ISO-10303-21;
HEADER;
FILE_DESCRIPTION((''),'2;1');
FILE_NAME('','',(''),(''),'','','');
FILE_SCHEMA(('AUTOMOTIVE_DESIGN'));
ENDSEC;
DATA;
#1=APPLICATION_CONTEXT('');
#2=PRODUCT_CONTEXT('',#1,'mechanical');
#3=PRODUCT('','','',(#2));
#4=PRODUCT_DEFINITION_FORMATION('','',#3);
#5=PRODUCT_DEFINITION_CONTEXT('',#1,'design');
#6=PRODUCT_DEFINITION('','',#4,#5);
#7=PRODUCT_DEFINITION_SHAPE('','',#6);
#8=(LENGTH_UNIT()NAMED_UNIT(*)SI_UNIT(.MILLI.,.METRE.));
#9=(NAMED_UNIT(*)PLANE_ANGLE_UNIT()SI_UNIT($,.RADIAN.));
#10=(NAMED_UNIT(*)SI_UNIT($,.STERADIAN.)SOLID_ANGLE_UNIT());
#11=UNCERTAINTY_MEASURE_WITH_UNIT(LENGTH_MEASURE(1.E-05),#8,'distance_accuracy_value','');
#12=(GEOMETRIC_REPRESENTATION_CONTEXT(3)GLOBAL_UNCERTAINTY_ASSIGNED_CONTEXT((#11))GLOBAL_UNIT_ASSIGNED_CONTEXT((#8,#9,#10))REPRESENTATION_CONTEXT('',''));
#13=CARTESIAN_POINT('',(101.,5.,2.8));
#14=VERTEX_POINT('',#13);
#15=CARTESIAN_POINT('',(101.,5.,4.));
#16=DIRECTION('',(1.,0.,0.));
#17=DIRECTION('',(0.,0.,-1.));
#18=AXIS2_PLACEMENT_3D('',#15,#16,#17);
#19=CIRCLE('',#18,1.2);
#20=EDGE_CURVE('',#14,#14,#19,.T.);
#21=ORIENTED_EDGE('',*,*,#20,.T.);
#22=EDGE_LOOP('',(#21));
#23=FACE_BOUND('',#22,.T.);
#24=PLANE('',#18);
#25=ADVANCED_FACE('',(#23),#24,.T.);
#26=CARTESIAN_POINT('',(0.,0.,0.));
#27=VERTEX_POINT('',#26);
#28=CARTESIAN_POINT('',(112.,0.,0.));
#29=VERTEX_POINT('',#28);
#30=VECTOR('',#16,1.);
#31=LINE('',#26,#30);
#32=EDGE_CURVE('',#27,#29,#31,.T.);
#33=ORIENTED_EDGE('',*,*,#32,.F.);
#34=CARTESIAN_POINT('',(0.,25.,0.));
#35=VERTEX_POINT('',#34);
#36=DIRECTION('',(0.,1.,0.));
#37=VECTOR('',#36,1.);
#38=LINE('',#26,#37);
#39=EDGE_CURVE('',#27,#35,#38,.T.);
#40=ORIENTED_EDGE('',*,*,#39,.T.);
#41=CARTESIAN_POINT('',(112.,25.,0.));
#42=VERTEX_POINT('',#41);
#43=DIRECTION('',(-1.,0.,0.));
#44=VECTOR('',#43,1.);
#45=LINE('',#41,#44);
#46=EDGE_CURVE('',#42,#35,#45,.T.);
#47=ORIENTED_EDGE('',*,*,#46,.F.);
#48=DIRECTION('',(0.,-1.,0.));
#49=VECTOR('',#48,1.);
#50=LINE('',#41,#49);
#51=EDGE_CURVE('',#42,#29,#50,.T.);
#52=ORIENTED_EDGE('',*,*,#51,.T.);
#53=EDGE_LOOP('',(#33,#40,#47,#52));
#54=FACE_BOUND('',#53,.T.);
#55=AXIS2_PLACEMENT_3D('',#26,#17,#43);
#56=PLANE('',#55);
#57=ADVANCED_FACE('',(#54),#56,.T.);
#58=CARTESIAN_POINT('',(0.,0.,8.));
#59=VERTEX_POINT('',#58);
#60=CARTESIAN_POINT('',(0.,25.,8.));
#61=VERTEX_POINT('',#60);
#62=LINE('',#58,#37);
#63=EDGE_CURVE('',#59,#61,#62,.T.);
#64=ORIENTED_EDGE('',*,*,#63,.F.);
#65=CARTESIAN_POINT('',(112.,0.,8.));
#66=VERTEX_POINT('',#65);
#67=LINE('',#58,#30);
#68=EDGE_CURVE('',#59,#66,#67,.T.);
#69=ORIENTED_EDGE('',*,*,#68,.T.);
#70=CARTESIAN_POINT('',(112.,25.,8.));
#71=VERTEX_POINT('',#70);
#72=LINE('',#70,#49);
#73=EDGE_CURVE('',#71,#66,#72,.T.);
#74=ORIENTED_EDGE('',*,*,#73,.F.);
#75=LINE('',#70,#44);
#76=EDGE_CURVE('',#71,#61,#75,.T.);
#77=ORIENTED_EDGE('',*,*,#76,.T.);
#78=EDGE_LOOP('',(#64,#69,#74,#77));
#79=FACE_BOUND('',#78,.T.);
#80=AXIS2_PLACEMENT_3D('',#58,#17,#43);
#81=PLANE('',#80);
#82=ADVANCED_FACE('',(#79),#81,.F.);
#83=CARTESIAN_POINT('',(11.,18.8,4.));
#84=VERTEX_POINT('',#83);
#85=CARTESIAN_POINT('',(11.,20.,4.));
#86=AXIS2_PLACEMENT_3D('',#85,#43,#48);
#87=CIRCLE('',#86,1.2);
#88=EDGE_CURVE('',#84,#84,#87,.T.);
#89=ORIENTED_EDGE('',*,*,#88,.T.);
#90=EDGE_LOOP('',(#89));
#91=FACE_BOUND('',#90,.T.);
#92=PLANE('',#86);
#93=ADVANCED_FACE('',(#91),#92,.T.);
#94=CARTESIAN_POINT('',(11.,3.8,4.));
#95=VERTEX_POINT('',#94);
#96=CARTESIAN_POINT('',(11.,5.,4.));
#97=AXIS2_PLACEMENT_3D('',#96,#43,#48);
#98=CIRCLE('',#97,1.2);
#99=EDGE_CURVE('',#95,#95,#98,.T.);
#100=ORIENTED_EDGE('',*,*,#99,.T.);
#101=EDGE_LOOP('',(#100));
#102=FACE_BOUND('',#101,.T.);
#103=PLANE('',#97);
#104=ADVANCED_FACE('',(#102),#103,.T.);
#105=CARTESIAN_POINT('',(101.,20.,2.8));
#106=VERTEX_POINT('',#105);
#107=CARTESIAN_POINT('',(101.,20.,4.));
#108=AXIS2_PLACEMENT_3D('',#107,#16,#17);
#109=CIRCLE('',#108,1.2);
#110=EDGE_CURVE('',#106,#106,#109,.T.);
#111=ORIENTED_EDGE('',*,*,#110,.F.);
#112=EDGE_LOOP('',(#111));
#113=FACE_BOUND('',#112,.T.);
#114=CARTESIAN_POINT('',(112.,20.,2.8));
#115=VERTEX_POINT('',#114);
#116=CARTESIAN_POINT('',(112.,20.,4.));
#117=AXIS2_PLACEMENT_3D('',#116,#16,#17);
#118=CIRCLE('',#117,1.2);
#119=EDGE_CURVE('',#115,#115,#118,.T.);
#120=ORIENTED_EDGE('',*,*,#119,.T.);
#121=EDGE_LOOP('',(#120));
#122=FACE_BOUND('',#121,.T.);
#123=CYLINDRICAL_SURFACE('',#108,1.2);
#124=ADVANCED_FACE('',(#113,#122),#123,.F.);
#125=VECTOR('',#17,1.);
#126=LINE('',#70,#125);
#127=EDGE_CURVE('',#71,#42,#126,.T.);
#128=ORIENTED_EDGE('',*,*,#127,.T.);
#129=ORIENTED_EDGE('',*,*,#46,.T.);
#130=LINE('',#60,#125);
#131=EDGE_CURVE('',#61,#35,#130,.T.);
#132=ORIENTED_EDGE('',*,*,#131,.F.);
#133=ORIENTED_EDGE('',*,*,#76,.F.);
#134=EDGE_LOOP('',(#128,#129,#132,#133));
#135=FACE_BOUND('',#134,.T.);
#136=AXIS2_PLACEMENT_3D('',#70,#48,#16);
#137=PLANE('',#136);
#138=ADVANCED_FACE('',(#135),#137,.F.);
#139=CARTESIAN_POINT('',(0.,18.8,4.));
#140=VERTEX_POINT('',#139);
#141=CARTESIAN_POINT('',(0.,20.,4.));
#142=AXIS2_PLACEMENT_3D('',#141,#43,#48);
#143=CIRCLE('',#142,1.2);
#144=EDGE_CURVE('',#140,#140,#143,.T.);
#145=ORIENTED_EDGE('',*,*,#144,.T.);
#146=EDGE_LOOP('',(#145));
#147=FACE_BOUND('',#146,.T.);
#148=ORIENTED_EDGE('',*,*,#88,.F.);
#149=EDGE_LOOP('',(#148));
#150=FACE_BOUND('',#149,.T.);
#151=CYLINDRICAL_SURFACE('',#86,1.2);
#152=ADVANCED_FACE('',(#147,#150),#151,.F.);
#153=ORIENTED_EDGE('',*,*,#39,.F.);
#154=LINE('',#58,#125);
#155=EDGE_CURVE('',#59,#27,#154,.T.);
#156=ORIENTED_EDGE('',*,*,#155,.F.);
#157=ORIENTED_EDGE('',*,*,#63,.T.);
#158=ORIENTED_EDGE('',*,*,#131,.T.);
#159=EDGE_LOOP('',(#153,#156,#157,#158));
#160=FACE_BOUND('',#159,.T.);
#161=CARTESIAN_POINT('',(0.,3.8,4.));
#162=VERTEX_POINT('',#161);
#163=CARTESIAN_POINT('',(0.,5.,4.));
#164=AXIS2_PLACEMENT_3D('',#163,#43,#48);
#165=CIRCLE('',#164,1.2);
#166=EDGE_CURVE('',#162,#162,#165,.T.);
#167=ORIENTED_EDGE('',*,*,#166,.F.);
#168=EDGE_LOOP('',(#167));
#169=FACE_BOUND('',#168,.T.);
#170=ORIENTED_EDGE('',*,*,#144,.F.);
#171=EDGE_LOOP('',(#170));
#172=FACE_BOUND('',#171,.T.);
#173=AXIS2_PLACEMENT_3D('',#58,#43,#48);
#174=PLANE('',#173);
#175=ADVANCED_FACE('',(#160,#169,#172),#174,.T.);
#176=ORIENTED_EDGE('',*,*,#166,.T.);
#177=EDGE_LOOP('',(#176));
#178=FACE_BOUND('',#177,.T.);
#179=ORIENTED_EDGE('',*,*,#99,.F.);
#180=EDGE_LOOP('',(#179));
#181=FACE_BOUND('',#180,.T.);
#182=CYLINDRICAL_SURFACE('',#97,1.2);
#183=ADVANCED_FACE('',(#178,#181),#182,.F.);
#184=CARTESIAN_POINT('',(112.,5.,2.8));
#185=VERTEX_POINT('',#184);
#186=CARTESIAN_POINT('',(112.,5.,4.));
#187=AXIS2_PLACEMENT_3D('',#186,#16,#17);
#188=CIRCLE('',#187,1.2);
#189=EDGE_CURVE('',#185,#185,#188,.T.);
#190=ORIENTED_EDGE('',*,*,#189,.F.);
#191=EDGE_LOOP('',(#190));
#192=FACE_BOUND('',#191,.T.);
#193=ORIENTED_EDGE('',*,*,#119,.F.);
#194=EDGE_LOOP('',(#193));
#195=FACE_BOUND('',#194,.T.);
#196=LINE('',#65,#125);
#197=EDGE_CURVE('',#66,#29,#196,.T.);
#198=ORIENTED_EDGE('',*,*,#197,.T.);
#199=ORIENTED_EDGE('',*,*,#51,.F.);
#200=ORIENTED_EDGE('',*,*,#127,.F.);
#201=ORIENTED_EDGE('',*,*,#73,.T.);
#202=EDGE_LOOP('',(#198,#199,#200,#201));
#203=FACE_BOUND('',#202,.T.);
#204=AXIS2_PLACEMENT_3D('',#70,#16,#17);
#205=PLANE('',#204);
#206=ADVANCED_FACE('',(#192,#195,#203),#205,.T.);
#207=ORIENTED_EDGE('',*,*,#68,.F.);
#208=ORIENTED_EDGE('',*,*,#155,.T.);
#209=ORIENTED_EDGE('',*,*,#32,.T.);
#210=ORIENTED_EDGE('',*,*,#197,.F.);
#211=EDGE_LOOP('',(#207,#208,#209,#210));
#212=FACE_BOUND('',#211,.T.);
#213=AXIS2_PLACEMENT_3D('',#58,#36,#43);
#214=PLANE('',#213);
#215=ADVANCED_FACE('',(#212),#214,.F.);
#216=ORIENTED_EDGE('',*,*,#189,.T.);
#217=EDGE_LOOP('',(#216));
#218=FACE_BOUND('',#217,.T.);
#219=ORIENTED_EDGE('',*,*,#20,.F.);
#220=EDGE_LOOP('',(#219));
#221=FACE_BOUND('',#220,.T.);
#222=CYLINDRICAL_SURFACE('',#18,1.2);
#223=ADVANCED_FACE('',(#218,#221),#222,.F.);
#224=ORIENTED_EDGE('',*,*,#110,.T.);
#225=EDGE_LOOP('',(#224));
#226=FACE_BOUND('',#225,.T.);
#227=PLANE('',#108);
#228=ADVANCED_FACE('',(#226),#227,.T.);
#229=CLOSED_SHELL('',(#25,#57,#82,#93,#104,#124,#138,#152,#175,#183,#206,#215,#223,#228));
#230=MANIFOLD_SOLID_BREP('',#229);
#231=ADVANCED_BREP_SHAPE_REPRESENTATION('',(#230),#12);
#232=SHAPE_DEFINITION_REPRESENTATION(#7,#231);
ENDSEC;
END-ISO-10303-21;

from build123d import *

# Parameters (mm, degrees)
ESQUISSE1_W             = 112
ESQUISSE1_H             = 25
BASE_EXTRUSION_DEPTH    = 8
ESQUISSE2_R             = 1.2
ENL_V_MAT_EXTRU_1_DEPTH = 11
ENL_V_START             = -11
ESQUISSE3_R             = 1.2
ENL_V_MAT_EXTRU_2_DEPTH = 11


with BuildPart() as part:
    # Esquisse1 → Base-Extrusion (new body)
    with BuildSketch(Plane.XY):
        with Locations((56, 12.5)):
            Rectangle(ESQUISSE1_W, ESQUISSE1_H)
    extrude(amount=BASE_EXTRUSION_DEPTH)

    # Esquisse2 → Enlèv. mat.-Extru.1 (cut)
    with BuildSketch(Plane(origin=(112, 0, 0), x_dir=(0, 0, -1), z_dir=(1, 0, 0))):
        with Locations((-4, 20)):
            Circle(ESQUISSE2_R)
        with Locations((-4, 5)):
            Circle(ESQUISSE2_R)
    extrude(amount=-ENL_V_MAT_EXTRU_1_DEPTH, mode=Mode.SUBTRACT)

    # Esquisse3 → Enlèv. mat.-Extru.2 (cut)
    with BuildSketch(Plane.ZY.offset(ENL_V_START)):
        with Locations(Location((4, 20, 0), (0, 0, 180))):
            Circle(ESQUISSE3_R)
        with Locations(Location((4, 5, 0), (0, 0, 180))):
            Circle(ESQUISSE3_R)
    extrude(amount=ENL_V_MAT_EXTRU_2_DEPTH, mode=Mode.SUBTRACT)


solid = part.part
